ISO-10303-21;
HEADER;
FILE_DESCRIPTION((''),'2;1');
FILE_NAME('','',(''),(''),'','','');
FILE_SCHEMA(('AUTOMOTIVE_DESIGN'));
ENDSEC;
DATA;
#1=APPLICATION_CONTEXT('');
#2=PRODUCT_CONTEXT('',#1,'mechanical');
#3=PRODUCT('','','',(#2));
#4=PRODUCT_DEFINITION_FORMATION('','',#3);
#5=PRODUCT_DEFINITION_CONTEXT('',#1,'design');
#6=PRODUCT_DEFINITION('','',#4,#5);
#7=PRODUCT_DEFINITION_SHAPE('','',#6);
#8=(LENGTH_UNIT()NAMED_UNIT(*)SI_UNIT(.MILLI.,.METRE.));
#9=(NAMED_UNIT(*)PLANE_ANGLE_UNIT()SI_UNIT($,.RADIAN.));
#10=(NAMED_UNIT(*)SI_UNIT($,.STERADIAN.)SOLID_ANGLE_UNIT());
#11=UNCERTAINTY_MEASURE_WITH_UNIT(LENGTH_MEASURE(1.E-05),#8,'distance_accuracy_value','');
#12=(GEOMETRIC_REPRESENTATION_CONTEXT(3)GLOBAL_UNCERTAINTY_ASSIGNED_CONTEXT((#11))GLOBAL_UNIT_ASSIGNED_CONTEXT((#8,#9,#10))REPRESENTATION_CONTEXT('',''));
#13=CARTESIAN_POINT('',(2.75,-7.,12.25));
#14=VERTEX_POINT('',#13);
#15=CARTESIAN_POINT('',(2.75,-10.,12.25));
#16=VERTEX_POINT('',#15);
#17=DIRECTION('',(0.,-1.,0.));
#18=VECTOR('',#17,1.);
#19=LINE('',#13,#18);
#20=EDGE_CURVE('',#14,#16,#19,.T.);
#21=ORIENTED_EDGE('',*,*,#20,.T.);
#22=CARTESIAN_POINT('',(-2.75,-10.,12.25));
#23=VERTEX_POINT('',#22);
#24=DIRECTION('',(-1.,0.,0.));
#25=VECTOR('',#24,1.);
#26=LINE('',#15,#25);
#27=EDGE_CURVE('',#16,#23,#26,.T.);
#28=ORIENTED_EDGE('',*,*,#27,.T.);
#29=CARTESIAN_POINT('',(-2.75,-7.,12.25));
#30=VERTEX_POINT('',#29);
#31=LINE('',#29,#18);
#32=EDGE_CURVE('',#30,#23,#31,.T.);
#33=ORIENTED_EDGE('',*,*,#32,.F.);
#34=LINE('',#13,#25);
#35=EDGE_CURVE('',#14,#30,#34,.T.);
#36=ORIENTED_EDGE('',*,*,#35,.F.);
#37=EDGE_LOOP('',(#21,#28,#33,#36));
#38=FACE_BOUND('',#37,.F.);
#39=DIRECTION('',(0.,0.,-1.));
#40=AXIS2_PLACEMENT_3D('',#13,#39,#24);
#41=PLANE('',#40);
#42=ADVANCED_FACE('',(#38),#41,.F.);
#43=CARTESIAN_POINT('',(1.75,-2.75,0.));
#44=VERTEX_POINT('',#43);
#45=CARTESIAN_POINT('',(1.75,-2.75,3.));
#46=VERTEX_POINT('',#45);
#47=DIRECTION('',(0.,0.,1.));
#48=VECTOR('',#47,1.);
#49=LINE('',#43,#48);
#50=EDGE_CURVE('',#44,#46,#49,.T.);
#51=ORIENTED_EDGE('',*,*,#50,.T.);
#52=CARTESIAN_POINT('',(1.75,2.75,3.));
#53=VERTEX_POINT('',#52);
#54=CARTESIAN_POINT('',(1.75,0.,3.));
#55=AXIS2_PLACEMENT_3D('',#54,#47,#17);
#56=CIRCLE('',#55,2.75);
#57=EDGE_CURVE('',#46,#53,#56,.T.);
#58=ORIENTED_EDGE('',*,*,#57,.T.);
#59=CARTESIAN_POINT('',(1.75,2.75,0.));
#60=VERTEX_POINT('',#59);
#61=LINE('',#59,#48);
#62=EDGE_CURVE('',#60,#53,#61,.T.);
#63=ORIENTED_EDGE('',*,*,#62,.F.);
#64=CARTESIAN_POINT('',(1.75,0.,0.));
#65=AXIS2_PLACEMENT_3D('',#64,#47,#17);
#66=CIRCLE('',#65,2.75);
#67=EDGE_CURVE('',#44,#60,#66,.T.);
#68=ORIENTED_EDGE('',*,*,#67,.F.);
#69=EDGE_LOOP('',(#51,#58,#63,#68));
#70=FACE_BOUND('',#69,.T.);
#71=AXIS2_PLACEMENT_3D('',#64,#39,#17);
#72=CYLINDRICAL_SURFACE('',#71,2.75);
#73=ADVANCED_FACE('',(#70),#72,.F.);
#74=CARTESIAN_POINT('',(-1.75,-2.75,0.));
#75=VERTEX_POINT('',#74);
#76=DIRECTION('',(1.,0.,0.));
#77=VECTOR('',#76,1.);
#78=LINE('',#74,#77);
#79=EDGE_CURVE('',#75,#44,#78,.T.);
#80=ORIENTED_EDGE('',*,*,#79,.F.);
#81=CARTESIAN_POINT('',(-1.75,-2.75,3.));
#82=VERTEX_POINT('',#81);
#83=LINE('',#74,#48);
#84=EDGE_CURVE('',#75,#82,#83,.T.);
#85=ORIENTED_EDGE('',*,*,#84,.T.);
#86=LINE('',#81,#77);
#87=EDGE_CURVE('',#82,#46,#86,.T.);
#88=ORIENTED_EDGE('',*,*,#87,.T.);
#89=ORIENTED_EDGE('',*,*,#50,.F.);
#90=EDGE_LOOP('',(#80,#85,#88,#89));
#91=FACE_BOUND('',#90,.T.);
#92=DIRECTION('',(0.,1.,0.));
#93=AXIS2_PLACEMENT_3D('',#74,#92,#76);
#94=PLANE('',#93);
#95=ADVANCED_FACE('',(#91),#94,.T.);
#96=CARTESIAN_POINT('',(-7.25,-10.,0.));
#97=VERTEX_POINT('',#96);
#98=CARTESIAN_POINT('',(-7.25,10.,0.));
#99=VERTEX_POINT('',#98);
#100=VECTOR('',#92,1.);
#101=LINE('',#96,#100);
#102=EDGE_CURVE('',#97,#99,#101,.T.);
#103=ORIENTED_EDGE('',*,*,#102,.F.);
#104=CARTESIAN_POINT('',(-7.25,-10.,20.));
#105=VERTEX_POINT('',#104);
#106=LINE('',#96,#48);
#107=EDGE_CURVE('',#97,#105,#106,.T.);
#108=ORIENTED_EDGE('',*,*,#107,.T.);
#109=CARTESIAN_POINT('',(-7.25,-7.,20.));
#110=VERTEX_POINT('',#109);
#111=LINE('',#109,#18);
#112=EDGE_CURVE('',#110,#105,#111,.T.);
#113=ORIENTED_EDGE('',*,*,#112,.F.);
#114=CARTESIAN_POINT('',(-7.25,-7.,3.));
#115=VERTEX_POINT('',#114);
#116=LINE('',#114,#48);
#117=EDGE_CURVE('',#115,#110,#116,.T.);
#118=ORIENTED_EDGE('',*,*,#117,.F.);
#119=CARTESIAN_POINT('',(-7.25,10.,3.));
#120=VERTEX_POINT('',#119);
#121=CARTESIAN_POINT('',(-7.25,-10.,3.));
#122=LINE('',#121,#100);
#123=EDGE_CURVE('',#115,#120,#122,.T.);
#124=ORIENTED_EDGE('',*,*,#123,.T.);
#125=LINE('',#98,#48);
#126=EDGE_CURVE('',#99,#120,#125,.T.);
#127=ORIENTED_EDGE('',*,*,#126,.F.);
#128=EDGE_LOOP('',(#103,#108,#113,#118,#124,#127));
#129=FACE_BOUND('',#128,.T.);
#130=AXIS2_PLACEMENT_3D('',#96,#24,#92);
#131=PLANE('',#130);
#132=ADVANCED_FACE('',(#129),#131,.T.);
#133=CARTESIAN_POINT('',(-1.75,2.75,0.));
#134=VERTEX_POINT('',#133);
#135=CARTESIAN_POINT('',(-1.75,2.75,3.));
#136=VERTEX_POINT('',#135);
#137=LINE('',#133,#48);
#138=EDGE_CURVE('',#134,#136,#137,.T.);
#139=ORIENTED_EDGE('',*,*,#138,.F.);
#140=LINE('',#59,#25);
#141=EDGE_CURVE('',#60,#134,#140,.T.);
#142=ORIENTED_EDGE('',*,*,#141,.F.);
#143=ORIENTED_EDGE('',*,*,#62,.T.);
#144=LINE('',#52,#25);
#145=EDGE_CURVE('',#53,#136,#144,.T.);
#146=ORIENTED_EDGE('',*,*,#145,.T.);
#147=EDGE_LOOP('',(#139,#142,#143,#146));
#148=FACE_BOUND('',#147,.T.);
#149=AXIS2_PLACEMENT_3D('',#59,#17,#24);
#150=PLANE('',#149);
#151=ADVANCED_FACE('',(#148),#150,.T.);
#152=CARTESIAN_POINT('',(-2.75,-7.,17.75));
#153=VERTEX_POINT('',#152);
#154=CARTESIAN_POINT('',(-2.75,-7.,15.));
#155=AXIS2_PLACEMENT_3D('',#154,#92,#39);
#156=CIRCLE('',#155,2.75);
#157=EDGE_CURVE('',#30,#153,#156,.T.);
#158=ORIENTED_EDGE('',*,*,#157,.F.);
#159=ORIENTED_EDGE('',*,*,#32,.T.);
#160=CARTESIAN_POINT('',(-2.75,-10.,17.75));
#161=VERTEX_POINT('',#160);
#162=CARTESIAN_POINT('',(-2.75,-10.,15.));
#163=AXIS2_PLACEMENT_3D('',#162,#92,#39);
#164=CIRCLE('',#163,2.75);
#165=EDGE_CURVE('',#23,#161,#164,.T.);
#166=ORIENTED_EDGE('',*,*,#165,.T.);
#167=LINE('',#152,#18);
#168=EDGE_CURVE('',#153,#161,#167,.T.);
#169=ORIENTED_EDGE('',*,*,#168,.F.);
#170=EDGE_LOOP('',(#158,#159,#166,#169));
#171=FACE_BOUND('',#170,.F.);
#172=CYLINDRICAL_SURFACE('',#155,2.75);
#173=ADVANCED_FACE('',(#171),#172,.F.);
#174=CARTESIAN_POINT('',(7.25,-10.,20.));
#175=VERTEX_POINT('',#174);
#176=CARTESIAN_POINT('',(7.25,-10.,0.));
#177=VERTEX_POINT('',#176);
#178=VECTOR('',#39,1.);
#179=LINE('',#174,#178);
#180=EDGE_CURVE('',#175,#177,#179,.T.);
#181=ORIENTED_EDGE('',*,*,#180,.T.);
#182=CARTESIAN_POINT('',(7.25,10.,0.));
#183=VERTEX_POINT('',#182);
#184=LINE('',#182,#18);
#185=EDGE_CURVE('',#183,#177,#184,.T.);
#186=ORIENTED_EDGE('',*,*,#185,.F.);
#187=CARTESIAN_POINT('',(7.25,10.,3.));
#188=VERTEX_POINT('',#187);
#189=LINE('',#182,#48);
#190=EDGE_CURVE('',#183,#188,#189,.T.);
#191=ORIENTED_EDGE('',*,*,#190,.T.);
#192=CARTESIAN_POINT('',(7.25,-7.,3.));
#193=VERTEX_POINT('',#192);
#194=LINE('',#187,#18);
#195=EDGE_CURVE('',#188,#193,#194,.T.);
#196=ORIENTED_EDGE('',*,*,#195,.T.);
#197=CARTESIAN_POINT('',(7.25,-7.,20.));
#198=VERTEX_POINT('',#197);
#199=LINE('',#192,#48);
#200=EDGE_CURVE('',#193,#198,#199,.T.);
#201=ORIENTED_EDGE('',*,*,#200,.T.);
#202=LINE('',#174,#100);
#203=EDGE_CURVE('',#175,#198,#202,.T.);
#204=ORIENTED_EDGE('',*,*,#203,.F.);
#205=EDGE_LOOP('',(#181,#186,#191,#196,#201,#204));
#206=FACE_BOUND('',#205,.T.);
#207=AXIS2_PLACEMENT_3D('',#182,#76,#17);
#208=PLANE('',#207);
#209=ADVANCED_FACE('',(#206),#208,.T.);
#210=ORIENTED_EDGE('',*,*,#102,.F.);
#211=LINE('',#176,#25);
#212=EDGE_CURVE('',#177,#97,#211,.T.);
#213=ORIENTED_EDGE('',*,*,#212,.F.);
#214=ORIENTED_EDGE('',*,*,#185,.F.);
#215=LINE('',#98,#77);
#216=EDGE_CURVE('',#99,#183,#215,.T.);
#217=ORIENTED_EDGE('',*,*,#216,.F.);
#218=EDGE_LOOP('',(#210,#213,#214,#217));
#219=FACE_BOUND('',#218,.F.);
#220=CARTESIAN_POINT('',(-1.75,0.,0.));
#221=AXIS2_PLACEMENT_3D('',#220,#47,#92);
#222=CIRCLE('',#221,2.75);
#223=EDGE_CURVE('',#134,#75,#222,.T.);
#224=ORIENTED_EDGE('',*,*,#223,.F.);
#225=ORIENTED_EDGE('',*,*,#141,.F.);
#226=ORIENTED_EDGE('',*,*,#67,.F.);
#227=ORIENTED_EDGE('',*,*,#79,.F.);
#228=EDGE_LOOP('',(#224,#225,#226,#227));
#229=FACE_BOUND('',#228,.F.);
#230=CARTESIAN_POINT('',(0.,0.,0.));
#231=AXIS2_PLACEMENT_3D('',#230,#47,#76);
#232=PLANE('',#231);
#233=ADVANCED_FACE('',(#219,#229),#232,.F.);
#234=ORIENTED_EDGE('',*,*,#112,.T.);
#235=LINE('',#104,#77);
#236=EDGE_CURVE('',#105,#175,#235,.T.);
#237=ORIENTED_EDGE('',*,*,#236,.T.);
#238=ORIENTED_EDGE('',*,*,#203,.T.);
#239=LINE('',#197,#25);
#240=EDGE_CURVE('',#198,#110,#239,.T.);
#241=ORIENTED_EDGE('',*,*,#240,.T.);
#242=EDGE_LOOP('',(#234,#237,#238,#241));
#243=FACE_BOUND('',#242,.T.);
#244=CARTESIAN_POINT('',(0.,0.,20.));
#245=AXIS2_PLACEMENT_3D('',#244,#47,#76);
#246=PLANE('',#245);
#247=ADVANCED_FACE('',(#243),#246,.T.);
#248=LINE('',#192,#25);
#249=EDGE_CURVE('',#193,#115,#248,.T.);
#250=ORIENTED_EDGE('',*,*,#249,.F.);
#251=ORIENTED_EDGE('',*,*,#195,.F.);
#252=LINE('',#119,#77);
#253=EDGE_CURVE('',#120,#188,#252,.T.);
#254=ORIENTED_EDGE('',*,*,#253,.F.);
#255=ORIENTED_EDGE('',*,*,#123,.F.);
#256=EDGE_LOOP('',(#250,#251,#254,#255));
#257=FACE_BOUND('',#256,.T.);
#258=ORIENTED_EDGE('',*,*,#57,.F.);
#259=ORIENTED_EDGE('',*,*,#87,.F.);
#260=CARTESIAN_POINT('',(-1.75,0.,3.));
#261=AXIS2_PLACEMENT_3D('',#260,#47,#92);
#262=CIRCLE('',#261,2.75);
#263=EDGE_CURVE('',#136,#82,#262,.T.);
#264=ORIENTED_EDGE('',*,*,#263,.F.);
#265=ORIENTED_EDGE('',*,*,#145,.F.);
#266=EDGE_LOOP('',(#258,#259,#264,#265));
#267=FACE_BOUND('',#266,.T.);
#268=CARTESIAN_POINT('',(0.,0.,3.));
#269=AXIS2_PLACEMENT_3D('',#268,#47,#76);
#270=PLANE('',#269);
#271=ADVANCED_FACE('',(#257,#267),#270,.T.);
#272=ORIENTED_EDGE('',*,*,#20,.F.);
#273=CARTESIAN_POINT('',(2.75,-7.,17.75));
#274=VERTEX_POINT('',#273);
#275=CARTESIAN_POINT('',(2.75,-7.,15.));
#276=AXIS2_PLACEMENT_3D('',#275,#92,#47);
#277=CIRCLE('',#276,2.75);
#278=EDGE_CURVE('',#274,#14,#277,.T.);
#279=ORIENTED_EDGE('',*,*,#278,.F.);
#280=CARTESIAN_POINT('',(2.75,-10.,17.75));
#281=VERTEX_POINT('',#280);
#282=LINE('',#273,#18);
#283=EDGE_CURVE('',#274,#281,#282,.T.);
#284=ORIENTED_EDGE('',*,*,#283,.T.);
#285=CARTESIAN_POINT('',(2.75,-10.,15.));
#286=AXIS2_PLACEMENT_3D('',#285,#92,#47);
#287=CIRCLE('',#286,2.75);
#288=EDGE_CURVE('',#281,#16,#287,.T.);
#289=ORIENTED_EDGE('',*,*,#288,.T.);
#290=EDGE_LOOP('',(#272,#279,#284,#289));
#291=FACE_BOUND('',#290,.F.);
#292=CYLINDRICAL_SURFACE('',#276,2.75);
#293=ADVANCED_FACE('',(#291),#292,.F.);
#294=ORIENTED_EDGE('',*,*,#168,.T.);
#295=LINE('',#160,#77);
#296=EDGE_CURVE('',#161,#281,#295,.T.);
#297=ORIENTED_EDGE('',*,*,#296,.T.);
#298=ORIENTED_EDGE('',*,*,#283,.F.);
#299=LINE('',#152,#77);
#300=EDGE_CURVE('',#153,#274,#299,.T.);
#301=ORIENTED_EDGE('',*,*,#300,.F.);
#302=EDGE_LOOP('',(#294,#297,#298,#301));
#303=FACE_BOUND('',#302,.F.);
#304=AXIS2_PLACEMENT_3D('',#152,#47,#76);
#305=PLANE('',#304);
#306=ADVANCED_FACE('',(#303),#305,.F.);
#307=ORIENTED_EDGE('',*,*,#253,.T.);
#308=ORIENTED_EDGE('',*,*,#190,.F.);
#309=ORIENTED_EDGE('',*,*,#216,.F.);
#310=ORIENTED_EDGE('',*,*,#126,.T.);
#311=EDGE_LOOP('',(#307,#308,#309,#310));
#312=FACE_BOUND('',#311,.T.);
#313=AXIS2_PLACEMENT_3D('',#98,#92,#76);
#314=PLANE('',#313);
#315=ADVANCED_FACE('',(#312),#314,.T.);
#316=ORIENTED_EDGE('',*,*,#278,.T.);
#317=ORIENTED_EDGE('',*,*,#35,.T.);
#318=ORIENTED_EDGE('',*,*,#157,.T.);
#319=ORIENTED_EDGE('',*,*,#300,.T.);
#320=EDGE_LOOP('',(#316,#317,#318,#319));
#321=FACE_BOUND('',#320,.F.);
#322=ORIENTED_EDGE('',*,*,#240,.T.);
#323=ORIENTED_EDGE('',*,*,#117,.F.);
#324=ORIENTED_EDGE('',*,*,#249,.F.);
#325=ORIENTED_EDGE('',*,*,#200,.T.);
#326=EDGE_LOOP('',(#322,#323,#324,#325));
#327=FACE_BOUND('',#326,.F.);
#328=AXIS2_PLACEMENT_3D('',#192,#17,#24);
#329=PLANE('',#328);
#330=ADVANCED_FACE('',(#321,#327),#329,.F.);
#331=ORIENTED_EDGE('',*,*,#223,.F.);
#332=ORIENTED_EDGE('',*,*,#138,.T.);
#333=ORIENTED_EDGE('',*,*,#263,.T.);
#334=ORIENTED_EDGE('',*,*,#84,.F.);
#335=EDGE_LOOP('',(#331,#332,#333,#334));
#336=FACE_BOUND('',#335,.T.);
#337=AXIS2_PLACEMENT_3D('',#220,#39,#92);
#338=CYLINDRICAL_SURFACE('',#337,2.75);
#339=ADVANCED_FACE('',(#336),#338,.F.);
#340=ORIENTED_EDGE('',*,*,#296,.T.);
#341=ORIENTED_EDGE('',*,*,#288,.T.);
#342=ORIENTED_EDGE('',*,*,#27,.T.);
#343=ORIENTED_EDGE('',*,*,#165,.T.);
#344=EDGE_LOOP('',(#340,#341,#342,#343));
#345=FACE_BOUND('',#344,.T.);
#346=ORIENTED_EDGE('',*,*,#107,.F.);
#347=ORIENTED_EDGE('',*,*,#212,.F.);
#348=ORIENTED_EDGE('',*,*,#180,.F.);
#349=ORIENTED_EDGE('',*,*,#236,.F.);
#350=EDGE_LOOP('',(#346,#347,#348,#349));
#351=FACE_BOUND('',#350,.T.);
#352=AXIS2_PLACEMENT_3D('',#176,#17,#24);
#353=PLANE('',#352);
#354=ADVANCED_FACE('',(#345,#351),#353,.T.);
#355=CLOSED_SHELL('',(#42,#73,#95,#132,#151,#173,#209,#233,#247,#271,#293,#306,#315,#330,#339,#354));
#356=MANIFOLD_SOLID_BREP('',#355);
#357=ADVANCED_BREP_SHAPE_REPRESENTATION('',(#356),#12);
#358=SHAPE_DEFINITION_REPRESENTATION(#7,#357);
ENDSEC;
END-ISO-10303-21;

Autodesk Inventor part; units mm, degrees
ref_plane "YZ Plane" through (0, 0, 0) normal (1, 0, 0) x (0, 1, 0)
ref_plane "XZ Plane" through (0, 0, 0) normal (0, 1, 0) x (-1, 0, 0)
sketch "Sketch1" plane through (0, 0, 0) normal (0, 0, 1) x (1, 0, 0)
  line L0 (-7.25, 10) -> (7.25, 10)
  line L1 (7.25, 10) -> (7.25, -10)
  line L2 (7.25, -10) -> (-7.25, -10)
  line L3 (-7.25, -10) -> (-7.25, 10)
  line L4 (0, 10) -> (0, -10) construction
  line L5 (-7.25, 0) -> (7.25, 0) construction
  line L6 (-1.75, 0) -> (1.75, 0) construction
  line L7 (-1.75, -2.75) -> (1.75, -2.75)
  line L8 (1.75, 2.75) -> (-1.75, 2.75)
  arc A0 (-1.75, 2.75) -> (-1.75, -2.75) centre (-1.75, 0) ccw
  arc A1 (1.75, -2.75) -> (1.75, 2.75) centre (1.75, 0) ccw
  point P0 (0, 0)
  point P1 (0, 0)
  dimension "d0" = 20
  dimension "d1" = 14.5
  dimension "d2" = 5.5
  dimension "d3" = 3.5
  dimension "d4" = 10
extrude "Extrusion1" add sketch "Sketch1" along normal blind 3
sketch "Sketch2" plane through (0, 0, 3) normal (0, 0, 1) x (1, 0, 0)
  line L0 (7.25, -10) -> (7.25, 10) projected
  line L1 (-7.25, -10) -> (7.25, -10)
  line L2 (7.25, -10) -> (7.25, -7)
  line L3 (7.25, -7) -> (-7.25, -7)
  line L4 (-7.25, -7) -> (-7.25, -10)
  point P0 (0, 0)
  dimension "d7" = 3
extrude "Extrusion2" add sketch "Sketch2" along normal blind 17
sketch "Sketch3" plane through (-7.25, -7, 3) normal (0, 1, 0) x (1, 0, 0)
  line L0 (0, 0) -> (0, -17) projected
  line L1 (14.5, -17) -> (0, -17) projected
  line L2 (14.5, 0) -> (14.5, -17) projected
  line L3 (0, -12) -> (14.5, -12) construction
  line L4 (4.5, -12) -> (10, -12) construction
  line L5 (4.5, -14.75) -> (10, -14.75)
  line L6 (10, -9.25) -> (4.5, -9.25)
  arc A0 (4.5, -9.25) -> (4.5, -14.75) centre (4.5, -12) ccw
  arc A1 (10, -14.75) -> (10, -9.25) centre (10, -12) ccw
  point P0 (7.25, 3)
  point P1 (7.25, -12)
  point P2 (7.25, -12)
  dimension "d10" = 5.5
  dimension "d11" = 5.5
  dimension "d12" = 5
extrude "Extrusion3" cut sketch "Sketch3" against normal up to surface (3 mm away)
ref_plane "Work Plane2" through (-5.5, -7, 15) normal (0, 0, 1) x (1, 0, 0)
ref_plane "Work Plane3" through (0, -10, 0) normal (1, 0, 0) x (0, 0, -1)
properties part number "L bracket single"
